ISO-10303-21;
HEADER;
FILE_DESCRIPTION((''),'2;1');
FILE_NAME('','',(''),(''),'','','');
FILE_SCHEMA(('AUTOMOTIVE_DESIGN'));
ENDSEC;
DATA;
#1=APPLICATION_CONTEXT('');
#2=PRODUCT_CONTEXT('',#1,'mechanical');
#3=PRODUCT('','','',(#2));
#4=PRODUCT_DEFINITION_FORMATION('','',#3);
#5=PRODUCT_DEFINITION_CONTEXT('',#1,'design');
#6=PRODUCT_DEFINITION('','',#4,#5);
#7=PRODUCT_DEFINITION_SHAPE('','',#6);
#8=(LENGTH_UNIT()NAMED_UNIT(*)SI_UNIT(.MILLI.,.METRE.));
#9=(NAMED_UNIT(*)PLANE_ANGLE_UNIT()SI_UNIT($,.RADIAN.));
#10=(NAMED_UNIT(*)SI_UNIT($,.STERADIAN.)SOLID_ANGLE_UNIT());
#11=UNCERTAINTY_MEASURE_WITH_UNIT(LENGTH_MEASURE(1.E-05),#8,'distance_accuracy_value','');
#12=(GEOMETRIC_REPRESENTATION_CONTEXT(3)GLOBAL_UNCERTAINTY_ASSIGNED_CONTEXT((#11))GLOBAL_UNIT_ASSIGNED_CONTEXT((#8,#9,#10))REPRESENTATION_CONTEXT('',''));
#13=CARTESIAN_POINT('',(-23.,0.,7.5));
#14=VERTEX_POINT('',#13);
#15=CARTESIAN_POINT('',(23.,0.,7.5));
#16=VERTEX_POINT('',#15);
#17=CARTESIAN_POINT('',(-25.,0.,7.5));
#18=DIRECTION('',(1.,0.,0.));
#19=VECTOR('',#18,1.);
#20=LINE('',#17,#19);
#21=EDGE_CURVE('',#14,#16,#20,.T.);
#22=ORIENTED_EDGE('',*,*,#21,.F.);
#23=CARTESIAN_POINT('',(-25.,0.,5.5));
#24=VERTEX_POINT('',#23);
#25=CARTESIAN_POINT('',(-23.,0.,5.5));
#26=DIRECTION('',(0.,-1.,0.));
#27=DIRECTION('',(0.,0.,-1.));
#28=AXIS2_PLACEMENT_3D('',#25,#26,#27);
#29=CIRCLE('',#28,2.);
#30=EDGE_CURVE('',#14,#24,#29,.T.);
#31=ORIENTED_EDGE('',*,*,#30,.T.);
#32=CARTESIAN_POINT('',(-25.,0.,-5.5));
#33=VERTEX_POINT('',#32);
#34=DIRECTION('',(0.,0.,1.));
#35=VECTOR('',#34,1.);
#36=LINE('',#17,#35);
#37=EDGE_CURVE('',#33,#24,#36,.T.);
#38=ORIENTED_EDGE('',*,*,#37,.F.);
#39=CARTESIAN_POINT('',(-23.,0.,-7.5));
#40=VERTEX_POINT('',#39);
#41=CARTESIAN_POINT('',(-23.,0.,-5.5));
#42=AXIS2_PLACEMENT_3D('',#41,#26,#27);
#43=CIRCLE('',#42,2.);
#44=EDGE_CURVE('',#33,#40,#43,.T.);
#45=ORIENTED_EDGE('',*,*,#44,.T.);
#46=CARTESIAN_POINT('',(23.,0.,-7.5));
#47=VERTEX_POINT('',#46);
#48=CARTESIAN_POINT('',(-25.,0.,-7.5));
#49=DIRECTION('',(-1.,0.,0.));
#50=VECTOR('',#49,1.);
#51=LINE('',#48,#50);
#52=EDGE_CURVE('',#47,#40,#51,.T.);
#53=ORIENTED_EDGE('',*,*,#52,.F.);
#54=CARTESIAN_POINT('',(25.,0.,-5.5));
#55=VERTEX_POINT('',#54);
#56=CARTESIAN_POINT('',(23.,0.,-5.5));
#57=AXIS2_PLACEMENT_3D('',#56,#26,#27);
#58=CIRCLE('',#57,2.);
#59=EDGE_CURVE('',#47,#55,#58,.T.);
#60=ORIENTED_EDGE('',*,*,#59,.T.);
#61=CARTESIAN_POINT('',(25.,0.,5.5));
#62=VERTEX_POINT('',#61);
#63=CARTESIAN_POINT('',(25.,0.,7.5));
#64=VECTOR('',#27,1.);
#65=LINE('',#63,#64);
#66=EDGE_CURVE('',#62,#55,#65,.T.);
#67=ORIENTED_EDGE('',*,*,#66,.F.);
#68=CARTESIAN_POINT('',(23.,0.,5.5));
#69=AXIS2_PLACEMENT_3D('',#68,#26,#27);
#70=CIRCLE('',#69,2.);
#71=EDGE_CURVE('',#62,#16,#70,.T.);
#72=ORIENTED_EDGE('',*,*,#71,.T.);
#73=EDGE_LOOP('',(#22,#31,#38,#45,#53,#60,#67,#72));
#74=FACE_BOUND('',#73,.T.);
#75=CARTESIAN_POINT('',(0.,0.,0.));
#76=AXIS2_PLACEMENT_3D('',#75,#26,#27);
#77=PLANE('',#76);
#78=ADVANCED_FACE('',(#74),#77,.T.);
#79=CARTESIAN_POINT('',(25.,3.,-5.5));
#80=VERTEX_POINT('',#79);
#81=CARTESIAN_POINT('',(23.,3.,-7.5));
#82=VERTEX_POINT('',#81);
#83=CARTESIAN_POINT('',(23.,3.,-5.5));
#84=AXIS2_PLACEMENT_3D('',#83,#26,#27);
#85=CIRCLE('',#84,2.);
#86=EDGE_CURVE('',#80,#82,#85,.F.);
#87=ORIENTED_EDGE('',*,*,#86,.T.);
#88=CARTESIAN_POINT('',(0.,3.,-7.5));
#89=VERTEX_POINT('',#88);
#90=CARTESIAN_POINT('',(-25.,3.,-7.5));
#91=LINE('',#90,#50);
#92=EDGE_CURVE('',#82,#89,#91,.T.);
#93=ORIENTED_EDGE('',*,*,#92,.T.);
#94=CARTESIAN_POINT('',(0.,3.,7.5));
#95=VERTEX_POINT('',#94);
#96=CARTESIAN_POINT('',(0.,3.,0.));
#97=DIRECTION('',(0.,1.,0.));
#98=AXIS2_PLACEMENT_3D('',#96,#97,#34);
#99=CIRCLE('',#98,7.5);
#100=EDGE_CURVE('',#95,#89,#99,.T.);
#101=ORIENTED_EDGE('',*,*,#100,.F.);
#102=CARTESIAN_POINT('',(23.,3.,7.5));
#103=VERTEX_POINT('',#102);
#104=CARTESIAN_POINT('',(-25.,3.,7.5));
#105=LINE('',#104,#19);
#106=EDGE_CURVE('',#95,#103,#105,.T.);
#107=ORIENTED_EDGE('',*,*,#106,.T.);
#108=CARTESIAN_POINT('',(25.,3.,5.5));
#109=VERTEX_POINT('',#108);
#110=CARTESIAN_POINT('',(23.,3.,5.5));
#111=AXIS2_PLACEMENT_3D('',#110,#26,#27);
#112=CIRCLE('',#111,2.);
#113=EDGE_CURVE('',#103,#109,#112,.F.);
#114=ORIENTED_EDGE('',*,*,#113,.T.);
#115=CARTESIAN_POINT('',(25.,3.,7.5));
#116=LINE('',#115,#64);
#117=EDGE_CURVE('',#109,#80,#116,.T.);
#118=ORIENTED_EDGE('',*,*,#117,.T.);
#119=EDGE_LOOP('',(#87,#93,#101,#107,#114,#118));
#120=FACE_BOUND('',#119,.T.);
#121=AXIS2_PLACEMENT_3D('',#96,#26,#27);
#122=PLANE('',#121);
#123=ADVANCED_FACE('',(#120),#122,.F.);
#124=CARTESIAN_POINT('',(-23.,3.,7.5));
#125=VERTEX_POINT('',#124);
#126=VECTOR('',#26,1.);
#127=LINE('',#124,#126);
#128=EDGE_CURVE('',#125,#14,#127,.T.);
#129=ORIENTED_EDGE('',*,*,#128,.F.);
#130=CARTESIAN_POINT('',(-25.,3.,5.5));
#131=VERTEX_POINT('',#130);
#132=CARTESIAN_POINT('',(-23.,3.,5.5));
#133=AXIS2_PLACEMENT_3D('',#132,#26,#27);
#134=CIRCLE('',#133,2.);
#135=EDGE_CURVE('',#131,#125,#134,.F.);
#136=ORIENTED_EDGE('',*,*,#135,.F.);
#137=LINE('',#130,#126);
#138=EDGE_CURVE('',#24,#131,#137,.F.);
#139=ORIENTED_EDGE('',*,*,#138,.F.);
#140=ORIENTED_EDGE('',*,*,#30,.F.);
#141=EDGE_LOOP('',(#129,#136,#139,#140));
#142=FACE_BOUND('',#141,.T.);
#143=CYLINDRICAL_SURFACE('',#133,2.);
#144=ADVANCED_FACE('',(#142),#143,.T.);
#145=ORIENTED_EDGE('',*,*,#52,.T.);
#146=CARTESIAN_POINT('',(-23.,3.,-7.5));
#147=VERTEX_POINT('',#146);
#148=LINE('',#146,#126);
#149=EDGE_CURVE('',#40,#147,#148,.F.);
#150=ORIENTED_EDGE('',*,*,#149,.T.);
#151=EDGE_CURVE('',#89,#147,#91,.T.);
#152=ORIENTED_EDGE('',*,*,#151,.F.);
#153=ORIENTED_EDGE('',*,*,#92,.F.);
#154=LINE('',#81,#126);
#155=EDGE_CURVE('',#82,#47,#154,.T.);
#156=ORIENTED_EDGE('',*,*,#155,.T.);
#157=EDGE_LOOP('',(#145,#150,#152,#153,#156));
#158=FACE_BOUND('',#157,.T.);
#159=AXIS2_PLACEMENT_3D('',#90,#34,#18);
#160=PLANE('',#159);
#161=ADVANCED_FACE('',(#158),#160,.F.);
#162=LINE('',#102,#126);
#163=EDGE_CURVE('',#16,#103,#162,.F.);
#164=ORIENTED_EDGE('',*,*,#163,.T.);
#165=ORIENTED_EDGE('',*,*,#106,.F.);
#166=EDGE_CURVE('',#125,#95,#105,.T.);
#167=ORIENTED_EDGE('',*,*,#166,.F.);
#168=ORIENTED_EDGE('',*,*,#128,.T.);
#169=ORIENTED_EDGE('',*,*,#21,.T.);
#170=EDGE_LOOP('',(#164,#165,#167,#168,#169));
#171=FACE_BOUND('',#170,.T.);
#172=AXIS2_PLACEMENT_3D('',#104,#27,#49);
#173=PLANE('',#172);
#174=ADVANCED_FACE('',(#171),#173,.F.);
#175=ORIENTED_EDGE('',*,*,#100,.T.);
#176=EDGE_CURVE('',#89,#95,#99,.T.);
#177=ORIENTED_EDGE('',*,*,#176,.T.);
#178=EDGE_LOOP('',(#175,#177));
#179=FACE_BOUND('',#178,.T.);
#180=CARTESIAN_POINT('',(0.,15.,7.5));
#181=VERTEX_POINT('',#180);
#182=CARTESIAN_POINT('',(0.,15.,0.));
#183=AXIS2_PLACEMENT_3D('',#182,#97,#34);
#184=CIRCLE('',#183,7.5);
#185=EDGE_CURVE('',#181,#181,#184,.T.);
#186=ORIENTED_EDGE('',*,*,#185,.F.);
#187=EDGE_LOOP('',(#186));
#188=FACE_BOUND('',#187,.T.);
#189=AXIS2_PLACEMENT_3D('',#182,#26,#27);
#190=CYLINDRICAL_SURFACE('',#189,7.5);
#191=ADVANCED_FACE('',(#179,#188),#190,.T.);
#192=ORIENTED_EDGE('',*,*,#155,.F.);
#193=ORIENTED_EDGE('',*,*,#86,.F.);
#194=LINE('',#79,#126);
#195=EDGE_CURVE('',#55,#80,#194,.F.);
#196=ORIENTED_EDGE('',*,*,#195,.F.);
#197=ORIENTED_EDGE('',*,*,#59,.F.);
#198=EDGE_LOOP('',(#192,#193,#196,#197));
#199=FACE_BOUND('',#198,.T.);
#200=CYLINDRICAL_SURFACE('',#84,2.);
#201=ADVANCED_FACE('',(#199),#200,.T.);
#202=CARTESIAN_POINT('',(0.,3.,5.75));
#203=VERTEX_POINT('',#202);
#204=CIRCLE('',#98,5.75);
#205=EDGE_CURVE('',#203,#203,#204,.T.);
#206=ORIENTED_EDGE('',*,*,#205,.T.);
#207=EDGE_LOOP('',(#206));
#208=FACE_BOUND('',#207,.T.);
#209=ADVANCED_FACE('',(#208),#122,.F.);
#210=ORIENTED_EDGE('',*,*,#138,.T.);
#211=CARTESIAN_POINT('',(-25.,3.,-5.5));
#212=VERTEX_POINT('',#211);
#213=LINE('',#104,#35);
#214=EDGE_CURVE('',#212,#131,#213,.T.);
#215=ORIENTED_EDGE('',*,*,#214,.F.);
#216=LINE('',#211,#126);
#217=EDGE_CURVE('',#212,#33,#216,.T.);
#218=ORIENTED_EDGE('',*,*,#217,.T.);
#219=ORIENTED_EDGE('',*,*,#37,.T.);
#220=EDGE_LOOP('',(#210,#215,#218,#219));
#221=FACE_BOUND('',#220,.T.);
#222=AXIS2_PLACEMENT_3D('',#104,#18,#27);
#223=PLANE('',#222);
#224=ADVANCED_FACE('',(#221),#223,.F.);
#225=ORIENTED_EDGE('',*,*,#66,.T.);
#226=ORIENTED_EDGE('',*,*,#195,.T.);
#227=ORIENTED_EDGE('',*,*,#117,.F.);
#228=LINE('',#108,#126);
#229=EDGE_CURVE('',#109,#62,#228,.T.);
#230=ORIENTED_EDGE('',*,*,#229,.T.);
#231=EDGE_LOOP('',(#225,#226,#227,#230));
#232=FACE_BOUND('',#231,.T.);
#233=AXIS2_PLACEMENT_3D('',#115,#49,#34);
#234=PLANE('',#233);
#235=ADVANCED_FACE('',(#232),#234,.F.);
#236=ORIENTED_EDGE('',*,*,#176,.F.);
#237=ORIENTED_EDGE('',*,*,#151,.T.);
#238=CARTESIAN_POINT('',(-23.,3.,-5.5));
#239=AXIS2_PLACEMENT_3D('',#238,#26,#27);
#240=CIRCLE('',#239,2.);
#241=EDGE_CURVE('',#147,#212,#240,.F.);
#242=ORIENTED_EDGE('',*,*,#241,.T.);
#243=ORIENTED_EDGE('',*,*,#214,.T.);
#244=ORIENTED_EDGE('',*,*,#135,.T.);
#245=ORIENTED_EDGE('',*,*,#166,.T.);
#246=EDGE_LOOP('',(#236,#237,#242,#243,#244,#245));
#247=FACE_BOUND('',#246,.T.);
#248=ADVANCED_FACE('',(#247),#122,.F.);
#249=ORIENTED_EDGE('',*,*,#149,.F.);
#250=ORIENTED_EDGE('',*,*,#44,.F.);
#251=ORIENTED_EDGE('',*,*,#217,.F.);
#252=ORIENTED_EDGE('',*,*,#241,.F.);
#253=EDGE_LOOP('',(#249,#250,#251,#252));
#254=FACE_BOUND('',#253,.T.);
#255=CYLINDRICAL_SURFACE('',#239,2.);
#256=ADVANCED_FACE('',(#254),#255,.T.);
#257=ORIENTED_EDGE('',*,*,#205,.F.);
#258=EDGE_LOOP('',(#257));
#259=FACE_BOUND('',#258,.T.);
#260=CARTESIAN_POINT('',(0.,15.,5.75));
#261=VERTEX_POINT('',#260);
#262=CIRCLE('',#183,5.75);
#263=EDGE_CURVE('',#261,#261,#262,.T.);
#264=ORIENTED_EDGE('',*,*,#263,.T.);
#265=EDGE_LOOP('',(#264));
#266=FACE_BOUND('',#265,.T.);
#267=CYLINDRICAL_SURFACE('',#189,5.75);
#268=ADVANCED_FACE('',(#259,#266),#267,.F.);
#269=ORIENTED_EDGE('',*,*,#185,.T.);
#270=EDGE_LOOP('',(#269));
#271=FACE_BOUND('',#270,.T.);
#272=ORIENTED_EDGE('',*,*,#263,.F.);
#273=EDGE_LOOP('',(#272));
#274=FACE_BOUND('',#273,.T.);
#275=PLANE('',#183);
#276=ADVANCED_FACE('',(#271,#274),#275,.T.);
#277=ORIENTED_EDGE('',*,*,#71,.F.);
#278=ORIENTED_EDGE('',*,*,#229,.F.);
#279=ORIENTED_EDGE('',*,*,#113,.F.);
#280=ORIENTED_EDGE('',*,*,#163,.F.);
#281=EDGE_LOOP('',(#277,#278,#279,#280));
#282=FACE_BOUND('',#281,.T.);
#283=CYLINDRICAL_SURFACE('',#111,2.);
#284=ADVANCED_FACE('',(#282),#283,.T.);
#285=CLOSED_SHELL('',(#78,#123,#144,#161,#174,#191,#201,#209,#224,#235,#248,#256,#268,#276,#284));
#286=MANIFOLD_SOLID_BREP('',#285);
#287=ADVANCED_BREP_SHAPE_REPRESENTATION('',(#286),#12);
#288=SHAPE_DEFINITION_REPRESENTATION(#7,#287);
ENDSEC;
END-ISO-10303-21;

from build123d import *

# Parameters (mm, degrees)
SKIZZE1_W                       = 50
SKIZZE1_H                       = 15
AUFSATZ_LINEAR_AUSTRAGEN1_DEPTH = 3
SKIZZE2_R                       = 7.5
SKIZZE2_R_2                     = 5.75
AUFSATZ_LINEAR_AUSTRAGEN2_DEPTH = 12
VERRUNDUNG1_R                   = 2


with BuildPart() as part:
    # Skizze1 → Aufsatz-Linear austragen1 (new body)
    with BuildSketch(Plane(origin=(0, 0, 0), x_dir=(1, 0, 0), z_dir=(0, 1, 0))):
        Rectangle(SKIZZE1_W, SKIZZE1_H)
    extrude(amount=AUFSATZ_LINEAR_AUSTRAGEN1_DEPTH)

    # Skizze2 → Aufsatz-Linear austragen2 (add)
    with BuildSketch(Plane(origin=(0, 3, 0), x_dir=(1, 0, 0), z_dir=(0, 1, 0))):
        Circle(SKIZZE2_R)
        Circle(SKIZZE2_R_2, mode=Mode.SUBTRACT)
    extrude(amount=AUFSATZ_LINEAR_AUSTRAGEN2_DEPTH)

    # Verrundung1
    verrundung1_edges = [part.edges().sort_by_distance(p)[0] for p in [
        (25, 1.5, 7.5),
        (-25, 1.5, 7.5),
        (-25, 1.5, -7.5),
        (25, 1.5, -7.5),
    ]]
    fillet(verrundung1_edges, radius=VERRUNDUNG1_R)


solid = part.part
